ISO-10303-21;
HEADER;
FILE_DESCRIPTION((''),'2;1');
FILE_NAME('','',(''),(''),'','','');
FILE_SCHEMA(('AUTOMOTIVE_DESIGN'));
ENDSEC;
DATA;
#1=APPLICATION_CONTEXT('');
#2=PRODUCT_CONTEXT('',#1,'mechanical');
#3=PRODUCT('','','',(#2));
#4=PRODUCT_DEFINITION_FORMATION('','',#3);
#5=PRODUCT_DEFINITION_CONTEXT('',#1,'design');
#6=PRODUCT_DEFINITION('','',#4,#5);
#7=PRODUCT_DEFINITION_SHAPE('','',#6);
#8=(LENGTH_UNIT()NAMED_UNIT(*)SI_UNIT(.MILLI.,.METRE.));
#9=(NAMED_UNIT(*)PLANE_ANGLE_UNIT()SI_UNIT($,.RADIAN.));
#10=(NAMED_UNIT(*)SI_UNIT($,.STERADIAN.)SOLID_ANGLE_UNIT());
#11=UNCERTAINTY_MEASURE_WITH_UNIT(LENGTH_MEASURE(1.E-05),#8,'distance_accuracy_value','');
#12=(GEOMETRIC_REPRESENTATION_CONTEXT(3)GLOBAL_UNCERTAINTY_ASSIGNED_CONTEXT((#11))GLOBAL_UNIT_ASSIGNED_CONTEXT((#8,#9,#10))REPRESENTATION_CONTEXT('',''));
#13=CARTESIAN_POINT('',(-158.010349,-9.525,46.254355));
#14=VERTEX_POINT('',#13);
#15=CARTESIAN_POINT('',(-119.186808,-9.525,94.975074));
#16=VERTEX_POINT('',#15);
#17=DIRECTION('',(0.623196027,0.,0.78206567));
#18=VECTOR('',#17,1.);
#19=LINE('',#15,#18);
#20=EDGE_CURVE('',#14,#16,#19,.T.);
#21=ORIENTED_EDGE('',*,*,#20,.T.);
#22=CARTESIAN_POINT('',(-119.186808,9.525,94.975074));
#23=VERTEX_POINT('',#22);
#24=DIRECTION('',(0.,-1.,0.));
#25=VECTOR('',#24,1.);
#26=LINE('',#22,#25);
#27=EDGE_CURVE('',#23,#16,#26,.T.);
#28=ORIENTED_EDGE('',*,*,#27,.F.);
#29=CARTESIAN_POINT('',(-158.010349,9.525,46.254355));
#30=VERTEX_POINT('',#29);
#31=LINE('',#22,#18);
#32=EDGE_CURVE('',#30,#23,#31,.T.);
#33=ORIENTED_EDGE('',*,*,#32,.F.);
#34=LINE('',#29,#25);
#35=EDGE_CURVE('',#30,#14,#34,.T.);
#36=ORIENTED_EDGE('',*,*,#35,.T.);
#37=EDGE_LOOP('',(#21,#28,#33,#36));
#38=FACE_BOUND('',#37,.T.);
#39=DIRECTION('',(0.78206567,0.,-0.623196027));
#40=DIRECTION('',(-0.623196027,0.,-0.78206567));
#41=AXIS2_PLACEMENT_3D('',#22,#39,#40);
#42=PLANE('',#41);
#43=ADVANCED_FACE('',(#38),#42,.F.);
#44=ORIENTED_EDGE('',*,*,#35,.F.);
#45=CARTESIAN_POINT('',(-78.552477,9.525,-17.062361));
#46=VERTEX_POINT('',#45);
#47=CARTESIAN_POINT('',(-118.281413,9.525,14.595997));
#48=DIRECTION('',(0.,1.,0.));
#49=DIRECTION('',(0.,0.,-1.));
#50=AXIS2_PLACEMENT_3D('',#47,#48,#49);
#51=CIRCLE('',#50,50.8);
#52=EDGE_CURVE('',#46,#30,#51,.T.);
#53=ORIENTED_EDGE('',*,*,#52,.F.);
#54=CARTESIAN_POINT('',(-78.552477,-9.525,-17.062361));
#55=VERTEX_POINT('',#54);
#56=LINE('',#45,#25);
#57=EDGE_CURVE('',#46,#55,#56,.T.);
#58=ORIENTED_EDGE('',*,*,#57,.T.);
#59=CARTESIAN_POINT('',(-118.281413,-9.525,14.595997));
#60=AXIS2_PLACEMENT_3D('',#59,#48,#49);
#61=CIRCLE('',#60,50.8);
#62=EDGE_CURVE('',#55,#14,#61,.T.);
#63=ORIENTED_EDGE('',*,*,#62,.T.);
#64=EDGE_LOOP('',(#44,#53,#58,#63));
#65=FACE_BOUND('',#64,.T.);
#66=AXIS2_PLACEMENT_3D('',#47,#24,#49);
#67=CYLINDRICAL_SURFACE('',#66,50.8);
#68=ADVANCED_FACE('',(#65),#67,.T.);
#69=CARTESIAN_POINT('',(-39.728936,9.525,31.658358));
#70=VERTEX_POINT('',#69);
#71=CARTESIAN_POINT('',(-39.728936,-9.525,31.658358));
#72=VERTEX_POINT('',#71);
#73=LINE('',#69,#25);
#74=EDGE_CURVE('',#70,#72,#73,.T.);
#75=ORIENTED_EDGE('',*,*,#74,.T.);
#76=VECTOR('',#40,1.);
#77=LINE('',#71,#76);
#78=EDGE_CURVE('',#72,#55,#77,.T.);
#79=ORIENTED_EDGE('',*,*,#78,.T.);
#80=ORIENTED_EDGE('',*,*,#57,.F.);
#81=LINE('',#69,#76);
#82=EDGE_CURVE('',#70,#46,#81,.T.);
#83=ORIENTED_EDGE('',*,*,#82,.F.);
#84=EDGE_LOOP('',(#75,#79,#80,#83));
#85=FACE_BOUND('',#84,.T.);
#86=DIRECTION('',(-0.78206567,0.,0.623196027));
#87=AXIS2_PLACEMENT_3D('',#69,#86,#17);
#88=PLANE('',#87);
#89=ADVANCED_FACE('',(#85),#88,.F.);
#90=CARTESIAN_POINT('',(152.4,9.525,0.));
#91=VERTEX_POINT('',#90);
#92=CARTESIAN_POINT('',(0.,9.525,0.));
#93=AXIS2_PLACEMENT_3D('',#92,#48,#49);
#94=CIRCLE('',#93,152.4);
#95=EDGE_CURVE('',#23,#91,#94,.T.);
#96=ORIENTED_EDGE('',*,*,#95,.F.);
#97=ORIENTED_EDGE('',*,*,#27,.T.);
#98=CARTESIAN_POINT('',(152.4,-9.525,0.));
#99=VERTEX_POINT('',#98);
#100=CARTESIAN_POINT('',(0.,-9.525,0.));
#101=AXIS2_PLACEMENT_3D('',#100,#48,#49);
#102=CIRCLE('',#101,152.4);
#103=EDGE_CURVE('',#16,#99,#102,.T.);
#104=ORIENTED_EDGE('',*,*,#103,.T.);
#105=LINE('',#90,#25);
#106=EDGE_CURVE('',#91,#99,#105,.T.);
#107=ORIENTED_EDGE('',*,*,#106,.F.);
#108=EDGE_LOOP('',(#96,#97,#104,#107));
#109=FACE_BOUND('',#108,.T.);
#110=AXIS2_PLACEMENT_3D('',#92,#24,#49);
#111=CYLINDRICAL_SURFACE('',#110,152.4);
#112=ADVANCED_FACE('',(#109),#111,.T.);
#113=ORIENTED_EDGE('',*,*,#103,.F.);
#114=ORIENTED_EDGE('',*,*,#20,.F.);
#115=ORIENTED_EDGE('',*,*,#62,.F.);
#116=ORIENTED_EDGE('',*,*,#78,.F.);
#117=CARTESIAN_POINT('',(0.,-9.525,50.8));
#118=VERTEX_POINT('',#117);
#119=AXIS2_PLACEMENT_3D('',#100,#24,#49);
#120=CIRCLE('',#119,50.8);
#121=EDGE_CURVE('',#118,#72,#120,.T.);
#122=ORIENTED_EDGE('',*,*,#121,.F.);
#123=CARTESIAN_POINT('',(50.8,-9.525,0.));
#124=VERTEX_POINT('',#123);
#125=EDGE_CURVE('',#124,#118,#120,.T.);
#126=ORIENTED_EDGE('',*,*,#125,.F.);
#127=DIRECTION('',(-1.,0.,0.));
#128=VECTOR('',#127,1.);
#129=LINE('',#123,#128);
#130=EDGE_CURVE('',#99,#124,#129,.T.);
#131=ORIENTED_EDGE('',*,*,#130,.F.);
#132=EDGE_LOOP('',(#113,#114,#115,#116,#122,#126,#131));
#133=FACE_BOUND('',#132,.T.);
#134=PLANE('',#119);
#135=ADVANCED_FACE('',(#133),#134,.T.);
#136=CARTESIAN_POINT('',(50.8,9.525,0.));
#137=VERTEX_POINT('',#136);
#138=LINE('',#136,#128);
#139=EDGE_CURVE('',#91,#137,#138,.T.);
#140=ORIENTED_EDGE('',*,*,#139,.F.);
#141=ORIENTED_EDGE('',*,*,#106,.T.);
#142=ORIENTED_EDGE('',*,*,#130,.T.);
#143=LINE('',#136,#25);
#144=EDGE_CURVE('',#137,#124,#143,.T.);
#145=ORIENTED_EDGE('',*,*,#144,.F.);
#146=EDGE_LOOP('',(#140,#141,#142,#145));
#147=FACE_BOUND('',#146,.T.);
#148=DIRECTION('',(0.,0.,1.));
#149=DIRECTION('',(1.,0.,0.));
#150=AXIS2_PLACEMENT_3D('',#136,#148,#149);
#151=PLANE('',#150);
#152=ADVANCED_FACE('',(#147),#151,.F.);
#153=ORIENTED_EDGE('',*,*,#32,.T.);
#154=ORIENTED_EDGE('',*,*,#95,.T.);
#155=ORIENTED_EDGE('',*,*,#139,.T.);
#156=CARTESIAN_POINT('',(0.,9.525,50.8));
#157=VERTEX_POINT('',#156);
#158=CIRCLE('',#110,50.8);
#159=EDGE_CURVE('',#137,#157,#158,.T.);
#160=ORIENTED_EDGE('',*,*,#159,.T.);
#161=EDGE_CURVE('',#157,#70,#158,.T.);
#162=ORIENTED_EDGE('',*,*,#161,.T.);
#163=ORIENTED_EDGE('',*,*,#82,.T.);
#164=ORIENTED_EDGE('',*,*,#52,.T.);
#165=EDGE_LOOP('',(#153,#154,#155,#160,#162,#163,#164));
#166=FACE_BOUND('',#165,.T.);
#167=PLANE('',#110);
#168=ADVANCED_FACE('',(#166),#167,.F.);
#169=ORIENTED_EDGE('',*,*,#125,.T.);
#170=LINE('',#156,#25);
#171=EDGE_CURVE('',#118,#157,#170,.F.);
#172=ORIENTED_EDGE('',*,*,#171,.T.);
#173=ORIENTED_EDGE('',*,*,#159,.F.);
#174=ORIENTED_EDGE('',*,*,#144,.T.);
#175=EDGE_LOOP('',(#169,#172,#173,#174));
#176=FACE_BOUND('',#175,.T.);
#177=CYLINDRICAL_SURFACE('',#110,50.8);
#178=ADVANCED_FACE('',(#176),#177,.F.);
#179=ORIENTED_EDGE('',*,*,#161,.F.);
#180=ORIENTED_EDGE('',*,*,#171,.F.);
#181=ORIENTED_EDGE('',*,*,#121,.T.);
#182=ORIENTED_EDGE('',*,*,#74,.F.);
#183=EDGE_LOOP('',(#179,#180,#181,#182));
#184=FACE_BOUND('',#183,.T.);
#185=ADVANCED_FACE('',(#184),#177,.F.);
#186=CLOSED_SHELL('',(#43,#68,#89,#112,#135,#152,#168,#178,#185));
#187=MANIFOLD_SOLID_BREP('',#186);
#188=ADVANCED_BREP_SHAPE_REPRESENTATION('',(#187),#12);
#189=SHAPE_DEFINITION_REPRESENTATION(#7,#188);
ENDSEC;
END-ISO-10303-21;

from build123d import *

# Parameters (mm, degrees)
BOSS_EXTRUDE1_DEPTH = 9.525


with BuildPart() as part:
    # Sketch3 → Boss-Extrude1 (new, symmetric)
    with BuildSketch(Plane(origin=(0, 0, 0), x_dir=(1, 0, 0), z_dir=(0, 1, 0))):
        with BuildLine():
            Line((-39.728936037, -31.65835816), (-78.552476961, 17.06236091))
            ThreePointArc((-78.552476961, 17.06236091), (-149.939771158, 25.132938787), (-158.010349035, -46.25435541))
            Line((-158.010349035, -46.25435541), (-119.186808111, -94.97507448))
            ThreePointArc((-119.186808111, -94.97507448), (50.307506616, -143.857272246), (152.4, 0))
            Line((152.4, 0), (50.8, 0))
            ThreePointArc((50.8, 0), (16.769168872, -47.952424082), (-39.728936037, -31.65835816))
        make_face()
    extrude(amount=BOSS_EXTRUDE1_DEPTH, both=True)


solid = part.part
